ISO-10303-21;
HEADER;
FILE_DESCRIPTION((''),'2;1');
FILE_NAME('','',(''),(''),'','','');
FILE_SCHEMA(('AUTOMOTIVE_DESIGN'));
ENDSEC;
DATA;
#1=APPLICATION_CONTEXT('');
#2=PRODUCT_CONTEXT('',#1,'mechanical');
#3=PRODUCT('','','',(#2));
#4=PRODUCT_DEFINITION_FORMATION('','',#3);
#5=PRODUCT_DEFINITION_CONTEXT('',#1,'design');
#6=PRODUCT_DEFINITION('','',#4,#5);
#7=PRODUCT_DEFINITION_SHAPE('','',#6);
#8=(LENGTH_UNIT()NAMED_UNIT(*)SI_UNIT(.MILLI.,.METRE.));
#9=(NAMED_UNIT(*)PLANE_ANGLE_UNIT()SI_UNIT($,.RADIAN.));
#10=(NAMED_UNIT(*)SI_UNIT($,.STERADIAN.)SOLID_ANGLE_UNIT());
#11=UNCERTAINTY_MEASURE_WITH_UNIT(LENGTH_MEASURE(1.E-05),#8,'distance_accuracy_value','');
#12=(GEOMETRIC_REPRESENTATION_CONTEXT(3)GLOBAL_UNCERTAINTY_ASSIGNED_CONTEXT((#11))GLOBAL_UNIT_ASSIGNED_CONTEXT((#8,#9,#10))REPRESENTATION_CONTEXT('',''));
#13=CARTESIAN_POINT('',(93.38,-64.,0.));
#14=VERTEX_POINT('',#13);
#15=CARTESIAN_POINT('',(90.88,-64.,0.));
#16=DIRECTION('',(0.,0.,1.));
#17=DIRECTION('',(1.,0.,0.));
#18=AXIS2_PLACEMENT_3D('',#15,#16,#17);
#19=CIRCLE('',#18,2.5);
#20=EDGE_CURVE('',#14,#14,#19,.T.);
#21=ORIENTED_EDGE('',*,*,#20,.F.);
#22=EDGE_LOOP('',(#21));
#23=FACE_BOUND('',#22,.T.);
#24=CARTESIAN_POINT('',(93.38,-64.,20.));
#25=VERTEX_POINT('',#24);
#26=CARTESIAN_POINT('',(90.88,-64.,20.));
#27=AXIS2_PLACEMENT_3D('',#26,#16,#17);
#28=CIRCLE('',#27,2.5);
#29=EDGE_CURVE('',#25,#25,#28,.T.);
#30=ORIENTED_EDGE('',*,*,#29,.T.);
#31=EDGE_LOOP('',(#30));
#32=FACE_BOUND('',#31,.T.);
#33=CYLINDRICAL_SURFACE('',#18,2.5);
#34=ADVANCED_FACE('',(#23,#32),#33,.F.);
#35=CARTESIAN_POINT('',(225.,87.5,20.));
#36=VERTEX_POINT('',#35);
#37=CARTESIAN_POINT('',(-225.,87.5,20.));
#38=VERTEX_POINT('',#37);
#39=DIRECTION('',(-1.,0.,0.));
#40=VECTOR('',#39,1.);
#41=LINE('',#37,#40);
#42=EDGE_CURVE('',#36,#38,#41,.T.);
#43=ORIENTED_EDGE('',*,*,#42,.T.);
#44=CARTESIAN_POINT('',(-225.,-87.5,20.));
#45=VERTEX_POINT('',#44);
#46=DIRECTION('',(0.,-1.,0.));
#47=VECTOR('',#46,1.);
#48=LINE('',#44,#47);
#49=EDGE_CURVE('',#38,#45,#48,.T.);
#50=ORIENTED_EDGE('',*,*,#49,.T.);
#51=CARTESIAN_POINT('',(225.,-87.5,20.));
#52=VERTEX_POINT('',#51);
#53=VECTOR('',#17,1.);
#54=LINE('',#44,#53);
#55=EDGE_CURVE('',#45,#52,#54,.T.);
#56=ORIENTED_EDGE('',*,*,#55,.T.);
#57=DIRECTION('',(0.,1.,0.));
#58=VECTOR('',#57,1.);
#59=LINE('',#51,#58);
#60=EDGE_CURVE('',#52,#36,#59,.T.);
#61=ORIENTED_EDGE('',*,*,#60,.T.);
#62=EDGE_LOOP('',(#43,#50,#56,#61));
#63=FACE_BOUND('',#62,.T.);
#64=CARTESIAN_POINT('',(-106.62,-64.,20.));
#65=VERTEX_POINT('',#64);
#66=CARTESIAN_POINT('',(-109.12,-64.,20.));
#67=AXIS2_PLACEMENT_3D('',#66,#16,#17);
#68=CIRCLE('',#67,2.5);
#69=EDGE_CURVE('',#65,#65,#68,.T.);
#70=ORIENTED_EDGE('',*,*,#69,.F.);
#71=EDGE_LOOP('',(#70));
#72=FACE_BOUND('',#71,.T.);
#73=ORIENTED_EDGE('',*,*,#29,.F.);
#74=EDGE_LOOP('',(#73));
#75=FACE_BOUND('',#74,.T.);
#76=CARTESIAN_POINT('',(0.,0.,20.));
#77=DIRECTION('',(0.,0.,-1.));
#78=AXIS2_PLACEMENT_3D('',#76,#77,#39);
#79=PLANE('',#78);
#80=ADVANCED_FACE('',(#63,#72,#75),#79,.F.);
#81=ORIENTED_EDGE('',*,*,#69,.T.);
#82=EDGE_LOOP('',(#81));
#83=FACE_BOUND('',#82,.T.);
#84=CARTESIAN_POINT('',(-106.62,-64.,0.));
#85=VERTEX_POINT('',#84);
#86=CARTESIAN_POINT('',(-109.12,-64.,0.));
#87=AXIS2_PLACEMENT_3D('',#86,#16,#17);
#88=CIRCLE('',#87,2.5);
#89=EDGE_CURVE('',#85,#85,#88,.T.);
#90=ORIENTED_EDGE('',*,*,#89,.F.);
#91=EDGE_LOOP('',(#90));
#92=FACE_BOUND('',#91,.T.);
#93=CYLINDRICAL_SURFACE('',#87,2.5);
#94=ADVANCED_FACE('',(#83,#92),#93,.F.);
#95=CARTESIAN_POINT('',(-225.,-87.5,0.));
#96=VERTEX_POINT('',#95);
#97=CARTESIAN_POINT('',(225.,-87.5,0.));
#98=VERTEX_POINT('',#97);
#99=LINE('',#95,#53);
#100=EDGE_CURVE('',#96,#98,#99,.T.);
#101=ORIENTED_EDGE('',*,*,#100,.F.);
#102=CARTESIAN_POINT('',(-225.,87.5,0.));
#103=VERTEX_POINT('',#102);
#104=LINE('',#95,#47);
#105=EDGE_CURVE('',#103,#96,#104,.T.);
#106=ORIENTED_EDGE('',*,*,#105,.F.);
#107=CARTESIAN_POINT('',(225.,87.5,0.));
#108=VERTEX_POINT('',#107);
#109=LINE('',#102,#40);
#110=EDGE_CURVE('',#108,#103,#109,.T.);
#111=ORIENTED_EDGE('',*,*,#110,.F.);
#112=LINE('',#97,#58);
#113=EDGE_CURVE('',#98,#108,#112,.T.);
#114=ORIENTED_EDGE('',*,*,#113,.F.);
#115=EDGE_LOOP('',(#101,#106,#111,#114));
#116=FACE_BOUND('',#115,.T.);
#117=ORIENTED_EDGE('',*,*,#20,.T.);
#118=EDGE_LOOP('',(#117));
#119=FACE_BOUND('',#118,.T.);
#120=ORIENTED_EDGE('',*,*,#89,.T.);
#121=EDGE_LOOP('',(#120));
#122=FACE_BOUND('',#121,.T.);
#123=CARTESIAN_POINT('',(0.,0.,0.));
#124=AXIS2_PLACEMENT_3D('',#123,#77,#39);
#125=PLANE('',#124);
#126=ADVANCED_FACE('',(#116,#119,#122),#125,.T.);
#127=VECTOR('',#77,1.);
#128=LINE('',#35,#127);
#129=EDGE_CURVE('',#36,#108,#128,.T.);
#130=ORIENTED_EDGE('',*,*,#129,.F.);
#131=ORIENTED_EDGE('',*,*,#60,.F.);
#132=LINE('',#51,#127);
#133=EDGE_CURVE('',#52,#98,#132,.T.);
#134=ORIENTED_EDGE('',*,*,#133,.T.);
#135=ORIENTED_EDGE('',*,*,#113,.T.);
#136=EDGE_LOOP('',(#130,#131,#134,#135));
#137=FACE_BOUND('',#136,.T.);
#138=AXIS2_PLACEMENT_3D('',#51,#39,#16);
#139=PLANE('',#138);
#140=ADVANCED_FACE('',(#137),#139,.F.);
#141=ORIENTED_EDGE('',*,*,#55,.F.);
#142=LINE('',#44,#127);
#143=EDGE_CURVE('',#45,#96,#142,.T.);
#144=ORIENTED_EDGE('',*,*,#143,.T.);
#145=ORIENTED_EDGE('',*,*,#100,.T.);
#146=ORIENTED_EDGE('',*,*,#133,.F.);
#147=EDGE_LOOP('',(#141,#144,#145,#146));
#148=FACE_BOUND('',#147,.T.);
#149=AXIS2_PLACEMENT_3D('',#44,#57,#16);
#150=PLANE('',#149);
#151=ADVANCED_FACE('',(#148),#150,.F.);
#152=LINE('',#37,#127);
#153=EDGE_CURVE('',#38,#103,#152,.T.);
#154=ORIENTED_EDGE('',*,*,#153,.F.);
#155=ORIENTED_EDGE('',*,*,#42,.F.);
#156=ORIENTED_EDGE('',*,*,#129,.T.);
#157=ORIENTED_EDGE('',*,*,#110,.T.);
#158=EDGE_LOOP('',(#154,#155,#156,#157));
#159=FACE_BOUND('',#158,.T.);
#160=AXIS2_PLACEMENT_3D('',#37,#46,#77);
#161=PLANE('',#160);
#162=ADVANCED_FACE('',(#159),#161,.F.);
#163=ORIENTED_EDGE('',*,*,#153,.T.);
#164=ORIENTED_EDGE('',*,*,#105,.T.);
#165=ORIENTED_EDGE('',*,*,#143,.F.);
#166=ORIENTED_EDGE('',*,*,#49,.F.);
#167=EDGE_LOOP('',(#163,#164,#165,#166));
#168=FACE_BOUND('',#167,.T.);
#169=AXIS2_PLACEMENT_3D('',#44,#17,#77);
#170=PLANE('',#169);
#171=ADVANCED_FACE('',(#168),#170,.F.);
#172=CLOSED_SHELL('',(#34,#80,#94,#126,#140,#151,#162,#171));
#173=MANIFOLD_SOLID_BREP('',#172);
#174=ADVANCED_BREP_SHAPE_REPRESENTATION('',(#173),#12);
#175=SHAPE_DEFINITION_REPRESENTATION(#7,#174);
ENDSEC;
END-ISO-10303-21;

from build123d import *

# Parameters (mm, degrees)
SKETCH_1_W          = 450
SKETCH_1_H          = 175
EXTRUDE_1_DEPTH     = 20
SKETCH_2_R          = 2.5
CUT_EXTRUDE_1_DEPTH = 21


with BuildPart() as part:
    # 草图1 → 凸台-拉伸1 (new body)
    with BuildSketch(Plane.XY):
        Rectangle(SKETCH_1_W, SKETCH_1_H)
    extrude(amount=EXTRUDE_1_DEPTH)

    # 草图2 → 切除-拉伸1 (cut, through all)
    with BuildSketch(Plane.XY.offset(20)):
        with Locations((-109.12, -64)):
            Circle(SKETCH_2_R)
        with Locations((90.88, -64)):
            Circle(SKETCH_2_R)
    extrude(amount=-CUT_EXTRUDE_1_DEPTH, mode=Mode.SUBTRACT)


solid = part.part
